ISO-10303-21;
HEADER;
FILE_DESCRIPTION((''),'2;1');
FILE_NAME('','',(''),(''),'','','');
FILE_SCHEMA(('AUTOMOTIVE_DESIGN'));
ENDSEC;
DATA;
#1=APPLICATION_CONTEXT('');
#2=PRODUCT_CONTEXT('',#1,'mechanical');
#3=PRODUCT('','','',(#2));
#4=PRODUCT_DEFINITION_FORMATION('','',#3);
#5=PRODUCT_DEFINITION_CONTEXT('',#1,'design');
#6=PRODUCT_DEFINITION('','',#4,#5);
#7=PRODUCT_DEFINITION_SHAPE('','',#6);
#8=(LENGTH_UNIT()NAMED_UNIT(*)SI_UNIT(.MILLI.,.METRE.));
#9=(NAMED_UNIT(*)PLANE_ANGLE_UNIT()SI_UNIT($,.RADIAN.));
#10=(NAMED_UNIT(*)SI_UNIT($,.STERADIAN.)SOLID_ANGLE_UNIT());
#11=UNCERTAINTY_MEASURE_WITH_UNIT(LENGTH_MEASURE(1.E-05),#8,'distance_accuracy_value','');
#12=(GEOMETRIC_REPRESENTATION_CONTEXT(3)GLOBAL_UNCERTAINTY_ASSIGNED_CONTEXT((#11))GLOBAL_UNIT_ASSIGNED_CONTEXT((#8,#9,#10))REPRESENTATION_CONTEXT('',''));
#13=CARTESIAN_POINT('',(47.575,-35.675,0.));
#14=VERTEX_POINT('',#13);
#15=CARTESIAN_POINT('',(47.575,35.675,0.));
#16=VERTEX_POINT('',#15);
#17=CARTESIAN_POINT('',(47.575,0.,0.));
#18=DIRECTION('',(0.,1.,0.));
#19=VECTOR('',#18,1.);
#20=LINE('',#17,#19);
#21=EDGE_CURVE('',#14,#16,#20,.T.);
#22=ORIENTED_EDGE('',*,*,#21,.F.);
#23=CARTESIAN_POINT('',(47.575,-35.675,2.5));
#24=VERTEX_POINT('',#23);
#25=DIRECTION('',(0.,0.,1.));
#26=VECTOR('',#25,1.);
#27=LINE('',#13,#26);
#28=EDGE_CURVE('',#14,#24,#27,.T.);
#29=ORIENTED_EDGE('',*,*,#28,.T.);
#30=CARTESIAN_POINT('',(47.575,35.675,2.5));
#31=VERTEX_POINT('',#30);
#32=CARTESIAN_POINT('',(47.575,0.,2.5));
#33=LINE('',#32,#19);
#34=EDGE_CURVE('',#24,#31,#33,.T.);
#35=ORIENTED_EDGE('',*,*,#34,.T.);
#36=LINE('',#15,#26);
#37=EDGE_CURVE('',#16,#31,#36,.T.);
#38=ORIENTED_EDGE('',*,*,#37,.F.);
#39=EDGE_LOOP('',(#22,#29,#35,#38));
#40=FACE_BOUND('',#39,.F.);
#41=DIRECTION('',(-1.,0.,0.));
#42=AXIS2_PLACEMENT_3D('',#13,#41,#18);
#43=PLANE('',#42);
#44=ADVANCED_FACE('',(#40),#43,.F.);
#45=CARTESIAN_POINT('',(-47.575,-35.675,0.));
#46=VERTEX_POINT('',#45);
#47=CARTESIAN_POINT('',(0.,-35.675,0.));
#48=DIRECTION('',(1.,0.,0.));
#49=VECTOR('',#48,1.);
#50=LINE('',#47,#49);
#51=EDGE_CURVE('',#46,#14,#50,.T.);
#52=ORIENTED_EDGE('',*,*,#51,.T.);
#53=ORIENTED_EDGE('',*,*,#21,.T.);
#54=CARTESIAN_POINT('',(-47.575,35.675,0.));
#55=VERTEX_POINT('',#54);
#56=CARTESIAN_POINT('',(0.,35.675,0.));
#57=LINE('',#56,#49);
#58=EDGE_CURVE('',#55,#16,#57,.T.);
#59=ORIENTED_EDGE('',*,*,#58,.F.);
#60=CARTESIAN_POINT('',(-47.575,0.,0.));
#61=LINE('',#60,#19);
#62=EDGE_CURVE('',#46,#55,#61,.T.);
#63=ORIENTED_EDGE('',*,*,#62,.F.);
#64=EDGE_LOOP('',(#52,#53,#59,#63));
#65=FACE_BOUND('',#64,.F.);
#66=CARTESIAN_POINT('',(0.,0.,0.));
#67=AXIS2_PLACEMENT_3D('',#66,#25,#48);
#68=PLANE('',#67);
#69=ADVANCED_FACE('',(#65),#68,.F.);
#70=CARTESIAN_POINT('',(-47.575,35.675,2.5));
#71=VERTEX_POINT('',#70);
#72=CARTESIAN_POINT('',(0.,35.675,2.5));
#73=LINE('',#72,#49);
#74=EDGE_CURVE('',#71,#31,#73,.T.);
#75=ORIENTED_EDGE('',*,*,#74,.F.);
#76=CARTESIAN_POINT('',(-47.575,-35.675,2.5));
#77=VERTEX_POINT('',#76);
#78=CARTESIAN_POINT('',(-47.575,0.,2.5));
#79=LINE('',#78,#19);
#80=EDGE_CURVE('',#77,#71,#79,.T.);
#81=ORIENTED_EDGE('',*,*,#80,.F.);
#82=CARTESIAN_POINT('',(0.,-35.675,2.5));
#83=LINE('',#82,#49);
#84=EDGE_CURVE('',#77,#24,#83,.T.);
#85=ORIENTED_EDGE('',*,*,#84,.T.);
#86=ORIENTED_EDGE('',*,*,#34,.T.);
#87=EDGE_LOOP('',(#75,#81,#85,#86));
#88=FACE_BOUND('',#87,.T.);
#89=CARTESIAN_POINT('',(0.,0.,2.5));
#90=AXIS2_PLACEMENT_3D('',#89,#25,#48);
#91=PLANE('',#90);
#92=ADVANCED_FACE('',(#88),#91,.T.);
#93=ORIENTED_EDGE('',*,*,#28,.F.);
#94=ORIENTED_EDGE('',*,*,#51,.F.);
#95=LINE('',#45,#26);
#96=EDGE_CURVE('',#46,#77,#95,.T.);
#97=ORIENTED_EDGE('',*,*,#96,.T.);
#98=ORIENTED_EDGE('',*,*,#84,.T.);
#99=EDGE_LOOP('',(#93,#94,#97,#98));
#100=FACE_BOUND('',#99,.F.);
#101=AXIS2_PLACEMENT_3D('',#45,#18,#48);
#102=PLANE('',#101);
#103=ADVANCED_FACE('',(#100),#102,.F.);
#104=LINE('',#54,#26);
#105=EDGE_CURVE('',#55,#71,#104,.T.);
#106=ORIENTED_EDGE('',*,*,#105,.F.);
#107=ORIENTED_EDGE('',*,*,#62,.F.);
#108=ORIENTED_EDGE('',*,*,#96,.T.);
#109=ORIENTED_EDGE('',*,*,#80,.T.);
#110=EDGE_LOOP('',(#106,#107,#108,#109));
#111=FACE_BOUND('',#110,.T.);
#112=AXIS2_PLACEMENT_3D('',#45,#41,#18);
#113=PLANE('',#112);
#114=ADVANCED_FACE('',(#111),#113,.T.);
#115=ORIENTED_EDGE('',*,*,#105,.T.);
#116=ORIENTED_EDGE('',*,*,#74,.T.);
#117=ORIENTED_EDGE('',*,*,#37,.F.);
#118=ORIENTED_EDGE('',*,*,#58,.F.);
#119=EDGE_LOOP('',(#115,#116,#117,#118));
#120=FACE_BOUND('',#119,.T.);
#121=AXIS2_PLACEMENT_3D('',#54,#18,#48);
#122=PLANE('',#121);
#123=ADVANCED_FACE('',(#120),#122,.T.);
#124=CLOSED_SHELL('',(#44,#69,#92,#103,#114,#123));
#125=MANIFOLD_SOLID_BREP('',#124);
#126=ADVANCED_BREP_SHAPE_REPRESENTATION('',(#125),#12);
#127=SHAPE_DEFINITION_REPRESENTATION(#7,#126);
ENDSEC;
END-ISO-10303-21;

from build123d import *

# Parameters (mm, degrees)
F0_W     = 95.15
F0_H     = 71.35
F0_W_2   = 84.35
F0_H_2   = 60.55
F1_DEPTH = 2.5


with BuildPart() as f1:
    # F0 (on Top) → F1 (new body)
    with BuildSketch(Plane.XY):
        Rectangle(F0_W, F0_H)
        Rectangle(F0_W_2, F0_H_2, mode=Mode.SUBTRACT)
        Rectangle(F0_W_2, F0_H_2)
    extrude(amount=F1_DEPTH)


solid = f1.part
